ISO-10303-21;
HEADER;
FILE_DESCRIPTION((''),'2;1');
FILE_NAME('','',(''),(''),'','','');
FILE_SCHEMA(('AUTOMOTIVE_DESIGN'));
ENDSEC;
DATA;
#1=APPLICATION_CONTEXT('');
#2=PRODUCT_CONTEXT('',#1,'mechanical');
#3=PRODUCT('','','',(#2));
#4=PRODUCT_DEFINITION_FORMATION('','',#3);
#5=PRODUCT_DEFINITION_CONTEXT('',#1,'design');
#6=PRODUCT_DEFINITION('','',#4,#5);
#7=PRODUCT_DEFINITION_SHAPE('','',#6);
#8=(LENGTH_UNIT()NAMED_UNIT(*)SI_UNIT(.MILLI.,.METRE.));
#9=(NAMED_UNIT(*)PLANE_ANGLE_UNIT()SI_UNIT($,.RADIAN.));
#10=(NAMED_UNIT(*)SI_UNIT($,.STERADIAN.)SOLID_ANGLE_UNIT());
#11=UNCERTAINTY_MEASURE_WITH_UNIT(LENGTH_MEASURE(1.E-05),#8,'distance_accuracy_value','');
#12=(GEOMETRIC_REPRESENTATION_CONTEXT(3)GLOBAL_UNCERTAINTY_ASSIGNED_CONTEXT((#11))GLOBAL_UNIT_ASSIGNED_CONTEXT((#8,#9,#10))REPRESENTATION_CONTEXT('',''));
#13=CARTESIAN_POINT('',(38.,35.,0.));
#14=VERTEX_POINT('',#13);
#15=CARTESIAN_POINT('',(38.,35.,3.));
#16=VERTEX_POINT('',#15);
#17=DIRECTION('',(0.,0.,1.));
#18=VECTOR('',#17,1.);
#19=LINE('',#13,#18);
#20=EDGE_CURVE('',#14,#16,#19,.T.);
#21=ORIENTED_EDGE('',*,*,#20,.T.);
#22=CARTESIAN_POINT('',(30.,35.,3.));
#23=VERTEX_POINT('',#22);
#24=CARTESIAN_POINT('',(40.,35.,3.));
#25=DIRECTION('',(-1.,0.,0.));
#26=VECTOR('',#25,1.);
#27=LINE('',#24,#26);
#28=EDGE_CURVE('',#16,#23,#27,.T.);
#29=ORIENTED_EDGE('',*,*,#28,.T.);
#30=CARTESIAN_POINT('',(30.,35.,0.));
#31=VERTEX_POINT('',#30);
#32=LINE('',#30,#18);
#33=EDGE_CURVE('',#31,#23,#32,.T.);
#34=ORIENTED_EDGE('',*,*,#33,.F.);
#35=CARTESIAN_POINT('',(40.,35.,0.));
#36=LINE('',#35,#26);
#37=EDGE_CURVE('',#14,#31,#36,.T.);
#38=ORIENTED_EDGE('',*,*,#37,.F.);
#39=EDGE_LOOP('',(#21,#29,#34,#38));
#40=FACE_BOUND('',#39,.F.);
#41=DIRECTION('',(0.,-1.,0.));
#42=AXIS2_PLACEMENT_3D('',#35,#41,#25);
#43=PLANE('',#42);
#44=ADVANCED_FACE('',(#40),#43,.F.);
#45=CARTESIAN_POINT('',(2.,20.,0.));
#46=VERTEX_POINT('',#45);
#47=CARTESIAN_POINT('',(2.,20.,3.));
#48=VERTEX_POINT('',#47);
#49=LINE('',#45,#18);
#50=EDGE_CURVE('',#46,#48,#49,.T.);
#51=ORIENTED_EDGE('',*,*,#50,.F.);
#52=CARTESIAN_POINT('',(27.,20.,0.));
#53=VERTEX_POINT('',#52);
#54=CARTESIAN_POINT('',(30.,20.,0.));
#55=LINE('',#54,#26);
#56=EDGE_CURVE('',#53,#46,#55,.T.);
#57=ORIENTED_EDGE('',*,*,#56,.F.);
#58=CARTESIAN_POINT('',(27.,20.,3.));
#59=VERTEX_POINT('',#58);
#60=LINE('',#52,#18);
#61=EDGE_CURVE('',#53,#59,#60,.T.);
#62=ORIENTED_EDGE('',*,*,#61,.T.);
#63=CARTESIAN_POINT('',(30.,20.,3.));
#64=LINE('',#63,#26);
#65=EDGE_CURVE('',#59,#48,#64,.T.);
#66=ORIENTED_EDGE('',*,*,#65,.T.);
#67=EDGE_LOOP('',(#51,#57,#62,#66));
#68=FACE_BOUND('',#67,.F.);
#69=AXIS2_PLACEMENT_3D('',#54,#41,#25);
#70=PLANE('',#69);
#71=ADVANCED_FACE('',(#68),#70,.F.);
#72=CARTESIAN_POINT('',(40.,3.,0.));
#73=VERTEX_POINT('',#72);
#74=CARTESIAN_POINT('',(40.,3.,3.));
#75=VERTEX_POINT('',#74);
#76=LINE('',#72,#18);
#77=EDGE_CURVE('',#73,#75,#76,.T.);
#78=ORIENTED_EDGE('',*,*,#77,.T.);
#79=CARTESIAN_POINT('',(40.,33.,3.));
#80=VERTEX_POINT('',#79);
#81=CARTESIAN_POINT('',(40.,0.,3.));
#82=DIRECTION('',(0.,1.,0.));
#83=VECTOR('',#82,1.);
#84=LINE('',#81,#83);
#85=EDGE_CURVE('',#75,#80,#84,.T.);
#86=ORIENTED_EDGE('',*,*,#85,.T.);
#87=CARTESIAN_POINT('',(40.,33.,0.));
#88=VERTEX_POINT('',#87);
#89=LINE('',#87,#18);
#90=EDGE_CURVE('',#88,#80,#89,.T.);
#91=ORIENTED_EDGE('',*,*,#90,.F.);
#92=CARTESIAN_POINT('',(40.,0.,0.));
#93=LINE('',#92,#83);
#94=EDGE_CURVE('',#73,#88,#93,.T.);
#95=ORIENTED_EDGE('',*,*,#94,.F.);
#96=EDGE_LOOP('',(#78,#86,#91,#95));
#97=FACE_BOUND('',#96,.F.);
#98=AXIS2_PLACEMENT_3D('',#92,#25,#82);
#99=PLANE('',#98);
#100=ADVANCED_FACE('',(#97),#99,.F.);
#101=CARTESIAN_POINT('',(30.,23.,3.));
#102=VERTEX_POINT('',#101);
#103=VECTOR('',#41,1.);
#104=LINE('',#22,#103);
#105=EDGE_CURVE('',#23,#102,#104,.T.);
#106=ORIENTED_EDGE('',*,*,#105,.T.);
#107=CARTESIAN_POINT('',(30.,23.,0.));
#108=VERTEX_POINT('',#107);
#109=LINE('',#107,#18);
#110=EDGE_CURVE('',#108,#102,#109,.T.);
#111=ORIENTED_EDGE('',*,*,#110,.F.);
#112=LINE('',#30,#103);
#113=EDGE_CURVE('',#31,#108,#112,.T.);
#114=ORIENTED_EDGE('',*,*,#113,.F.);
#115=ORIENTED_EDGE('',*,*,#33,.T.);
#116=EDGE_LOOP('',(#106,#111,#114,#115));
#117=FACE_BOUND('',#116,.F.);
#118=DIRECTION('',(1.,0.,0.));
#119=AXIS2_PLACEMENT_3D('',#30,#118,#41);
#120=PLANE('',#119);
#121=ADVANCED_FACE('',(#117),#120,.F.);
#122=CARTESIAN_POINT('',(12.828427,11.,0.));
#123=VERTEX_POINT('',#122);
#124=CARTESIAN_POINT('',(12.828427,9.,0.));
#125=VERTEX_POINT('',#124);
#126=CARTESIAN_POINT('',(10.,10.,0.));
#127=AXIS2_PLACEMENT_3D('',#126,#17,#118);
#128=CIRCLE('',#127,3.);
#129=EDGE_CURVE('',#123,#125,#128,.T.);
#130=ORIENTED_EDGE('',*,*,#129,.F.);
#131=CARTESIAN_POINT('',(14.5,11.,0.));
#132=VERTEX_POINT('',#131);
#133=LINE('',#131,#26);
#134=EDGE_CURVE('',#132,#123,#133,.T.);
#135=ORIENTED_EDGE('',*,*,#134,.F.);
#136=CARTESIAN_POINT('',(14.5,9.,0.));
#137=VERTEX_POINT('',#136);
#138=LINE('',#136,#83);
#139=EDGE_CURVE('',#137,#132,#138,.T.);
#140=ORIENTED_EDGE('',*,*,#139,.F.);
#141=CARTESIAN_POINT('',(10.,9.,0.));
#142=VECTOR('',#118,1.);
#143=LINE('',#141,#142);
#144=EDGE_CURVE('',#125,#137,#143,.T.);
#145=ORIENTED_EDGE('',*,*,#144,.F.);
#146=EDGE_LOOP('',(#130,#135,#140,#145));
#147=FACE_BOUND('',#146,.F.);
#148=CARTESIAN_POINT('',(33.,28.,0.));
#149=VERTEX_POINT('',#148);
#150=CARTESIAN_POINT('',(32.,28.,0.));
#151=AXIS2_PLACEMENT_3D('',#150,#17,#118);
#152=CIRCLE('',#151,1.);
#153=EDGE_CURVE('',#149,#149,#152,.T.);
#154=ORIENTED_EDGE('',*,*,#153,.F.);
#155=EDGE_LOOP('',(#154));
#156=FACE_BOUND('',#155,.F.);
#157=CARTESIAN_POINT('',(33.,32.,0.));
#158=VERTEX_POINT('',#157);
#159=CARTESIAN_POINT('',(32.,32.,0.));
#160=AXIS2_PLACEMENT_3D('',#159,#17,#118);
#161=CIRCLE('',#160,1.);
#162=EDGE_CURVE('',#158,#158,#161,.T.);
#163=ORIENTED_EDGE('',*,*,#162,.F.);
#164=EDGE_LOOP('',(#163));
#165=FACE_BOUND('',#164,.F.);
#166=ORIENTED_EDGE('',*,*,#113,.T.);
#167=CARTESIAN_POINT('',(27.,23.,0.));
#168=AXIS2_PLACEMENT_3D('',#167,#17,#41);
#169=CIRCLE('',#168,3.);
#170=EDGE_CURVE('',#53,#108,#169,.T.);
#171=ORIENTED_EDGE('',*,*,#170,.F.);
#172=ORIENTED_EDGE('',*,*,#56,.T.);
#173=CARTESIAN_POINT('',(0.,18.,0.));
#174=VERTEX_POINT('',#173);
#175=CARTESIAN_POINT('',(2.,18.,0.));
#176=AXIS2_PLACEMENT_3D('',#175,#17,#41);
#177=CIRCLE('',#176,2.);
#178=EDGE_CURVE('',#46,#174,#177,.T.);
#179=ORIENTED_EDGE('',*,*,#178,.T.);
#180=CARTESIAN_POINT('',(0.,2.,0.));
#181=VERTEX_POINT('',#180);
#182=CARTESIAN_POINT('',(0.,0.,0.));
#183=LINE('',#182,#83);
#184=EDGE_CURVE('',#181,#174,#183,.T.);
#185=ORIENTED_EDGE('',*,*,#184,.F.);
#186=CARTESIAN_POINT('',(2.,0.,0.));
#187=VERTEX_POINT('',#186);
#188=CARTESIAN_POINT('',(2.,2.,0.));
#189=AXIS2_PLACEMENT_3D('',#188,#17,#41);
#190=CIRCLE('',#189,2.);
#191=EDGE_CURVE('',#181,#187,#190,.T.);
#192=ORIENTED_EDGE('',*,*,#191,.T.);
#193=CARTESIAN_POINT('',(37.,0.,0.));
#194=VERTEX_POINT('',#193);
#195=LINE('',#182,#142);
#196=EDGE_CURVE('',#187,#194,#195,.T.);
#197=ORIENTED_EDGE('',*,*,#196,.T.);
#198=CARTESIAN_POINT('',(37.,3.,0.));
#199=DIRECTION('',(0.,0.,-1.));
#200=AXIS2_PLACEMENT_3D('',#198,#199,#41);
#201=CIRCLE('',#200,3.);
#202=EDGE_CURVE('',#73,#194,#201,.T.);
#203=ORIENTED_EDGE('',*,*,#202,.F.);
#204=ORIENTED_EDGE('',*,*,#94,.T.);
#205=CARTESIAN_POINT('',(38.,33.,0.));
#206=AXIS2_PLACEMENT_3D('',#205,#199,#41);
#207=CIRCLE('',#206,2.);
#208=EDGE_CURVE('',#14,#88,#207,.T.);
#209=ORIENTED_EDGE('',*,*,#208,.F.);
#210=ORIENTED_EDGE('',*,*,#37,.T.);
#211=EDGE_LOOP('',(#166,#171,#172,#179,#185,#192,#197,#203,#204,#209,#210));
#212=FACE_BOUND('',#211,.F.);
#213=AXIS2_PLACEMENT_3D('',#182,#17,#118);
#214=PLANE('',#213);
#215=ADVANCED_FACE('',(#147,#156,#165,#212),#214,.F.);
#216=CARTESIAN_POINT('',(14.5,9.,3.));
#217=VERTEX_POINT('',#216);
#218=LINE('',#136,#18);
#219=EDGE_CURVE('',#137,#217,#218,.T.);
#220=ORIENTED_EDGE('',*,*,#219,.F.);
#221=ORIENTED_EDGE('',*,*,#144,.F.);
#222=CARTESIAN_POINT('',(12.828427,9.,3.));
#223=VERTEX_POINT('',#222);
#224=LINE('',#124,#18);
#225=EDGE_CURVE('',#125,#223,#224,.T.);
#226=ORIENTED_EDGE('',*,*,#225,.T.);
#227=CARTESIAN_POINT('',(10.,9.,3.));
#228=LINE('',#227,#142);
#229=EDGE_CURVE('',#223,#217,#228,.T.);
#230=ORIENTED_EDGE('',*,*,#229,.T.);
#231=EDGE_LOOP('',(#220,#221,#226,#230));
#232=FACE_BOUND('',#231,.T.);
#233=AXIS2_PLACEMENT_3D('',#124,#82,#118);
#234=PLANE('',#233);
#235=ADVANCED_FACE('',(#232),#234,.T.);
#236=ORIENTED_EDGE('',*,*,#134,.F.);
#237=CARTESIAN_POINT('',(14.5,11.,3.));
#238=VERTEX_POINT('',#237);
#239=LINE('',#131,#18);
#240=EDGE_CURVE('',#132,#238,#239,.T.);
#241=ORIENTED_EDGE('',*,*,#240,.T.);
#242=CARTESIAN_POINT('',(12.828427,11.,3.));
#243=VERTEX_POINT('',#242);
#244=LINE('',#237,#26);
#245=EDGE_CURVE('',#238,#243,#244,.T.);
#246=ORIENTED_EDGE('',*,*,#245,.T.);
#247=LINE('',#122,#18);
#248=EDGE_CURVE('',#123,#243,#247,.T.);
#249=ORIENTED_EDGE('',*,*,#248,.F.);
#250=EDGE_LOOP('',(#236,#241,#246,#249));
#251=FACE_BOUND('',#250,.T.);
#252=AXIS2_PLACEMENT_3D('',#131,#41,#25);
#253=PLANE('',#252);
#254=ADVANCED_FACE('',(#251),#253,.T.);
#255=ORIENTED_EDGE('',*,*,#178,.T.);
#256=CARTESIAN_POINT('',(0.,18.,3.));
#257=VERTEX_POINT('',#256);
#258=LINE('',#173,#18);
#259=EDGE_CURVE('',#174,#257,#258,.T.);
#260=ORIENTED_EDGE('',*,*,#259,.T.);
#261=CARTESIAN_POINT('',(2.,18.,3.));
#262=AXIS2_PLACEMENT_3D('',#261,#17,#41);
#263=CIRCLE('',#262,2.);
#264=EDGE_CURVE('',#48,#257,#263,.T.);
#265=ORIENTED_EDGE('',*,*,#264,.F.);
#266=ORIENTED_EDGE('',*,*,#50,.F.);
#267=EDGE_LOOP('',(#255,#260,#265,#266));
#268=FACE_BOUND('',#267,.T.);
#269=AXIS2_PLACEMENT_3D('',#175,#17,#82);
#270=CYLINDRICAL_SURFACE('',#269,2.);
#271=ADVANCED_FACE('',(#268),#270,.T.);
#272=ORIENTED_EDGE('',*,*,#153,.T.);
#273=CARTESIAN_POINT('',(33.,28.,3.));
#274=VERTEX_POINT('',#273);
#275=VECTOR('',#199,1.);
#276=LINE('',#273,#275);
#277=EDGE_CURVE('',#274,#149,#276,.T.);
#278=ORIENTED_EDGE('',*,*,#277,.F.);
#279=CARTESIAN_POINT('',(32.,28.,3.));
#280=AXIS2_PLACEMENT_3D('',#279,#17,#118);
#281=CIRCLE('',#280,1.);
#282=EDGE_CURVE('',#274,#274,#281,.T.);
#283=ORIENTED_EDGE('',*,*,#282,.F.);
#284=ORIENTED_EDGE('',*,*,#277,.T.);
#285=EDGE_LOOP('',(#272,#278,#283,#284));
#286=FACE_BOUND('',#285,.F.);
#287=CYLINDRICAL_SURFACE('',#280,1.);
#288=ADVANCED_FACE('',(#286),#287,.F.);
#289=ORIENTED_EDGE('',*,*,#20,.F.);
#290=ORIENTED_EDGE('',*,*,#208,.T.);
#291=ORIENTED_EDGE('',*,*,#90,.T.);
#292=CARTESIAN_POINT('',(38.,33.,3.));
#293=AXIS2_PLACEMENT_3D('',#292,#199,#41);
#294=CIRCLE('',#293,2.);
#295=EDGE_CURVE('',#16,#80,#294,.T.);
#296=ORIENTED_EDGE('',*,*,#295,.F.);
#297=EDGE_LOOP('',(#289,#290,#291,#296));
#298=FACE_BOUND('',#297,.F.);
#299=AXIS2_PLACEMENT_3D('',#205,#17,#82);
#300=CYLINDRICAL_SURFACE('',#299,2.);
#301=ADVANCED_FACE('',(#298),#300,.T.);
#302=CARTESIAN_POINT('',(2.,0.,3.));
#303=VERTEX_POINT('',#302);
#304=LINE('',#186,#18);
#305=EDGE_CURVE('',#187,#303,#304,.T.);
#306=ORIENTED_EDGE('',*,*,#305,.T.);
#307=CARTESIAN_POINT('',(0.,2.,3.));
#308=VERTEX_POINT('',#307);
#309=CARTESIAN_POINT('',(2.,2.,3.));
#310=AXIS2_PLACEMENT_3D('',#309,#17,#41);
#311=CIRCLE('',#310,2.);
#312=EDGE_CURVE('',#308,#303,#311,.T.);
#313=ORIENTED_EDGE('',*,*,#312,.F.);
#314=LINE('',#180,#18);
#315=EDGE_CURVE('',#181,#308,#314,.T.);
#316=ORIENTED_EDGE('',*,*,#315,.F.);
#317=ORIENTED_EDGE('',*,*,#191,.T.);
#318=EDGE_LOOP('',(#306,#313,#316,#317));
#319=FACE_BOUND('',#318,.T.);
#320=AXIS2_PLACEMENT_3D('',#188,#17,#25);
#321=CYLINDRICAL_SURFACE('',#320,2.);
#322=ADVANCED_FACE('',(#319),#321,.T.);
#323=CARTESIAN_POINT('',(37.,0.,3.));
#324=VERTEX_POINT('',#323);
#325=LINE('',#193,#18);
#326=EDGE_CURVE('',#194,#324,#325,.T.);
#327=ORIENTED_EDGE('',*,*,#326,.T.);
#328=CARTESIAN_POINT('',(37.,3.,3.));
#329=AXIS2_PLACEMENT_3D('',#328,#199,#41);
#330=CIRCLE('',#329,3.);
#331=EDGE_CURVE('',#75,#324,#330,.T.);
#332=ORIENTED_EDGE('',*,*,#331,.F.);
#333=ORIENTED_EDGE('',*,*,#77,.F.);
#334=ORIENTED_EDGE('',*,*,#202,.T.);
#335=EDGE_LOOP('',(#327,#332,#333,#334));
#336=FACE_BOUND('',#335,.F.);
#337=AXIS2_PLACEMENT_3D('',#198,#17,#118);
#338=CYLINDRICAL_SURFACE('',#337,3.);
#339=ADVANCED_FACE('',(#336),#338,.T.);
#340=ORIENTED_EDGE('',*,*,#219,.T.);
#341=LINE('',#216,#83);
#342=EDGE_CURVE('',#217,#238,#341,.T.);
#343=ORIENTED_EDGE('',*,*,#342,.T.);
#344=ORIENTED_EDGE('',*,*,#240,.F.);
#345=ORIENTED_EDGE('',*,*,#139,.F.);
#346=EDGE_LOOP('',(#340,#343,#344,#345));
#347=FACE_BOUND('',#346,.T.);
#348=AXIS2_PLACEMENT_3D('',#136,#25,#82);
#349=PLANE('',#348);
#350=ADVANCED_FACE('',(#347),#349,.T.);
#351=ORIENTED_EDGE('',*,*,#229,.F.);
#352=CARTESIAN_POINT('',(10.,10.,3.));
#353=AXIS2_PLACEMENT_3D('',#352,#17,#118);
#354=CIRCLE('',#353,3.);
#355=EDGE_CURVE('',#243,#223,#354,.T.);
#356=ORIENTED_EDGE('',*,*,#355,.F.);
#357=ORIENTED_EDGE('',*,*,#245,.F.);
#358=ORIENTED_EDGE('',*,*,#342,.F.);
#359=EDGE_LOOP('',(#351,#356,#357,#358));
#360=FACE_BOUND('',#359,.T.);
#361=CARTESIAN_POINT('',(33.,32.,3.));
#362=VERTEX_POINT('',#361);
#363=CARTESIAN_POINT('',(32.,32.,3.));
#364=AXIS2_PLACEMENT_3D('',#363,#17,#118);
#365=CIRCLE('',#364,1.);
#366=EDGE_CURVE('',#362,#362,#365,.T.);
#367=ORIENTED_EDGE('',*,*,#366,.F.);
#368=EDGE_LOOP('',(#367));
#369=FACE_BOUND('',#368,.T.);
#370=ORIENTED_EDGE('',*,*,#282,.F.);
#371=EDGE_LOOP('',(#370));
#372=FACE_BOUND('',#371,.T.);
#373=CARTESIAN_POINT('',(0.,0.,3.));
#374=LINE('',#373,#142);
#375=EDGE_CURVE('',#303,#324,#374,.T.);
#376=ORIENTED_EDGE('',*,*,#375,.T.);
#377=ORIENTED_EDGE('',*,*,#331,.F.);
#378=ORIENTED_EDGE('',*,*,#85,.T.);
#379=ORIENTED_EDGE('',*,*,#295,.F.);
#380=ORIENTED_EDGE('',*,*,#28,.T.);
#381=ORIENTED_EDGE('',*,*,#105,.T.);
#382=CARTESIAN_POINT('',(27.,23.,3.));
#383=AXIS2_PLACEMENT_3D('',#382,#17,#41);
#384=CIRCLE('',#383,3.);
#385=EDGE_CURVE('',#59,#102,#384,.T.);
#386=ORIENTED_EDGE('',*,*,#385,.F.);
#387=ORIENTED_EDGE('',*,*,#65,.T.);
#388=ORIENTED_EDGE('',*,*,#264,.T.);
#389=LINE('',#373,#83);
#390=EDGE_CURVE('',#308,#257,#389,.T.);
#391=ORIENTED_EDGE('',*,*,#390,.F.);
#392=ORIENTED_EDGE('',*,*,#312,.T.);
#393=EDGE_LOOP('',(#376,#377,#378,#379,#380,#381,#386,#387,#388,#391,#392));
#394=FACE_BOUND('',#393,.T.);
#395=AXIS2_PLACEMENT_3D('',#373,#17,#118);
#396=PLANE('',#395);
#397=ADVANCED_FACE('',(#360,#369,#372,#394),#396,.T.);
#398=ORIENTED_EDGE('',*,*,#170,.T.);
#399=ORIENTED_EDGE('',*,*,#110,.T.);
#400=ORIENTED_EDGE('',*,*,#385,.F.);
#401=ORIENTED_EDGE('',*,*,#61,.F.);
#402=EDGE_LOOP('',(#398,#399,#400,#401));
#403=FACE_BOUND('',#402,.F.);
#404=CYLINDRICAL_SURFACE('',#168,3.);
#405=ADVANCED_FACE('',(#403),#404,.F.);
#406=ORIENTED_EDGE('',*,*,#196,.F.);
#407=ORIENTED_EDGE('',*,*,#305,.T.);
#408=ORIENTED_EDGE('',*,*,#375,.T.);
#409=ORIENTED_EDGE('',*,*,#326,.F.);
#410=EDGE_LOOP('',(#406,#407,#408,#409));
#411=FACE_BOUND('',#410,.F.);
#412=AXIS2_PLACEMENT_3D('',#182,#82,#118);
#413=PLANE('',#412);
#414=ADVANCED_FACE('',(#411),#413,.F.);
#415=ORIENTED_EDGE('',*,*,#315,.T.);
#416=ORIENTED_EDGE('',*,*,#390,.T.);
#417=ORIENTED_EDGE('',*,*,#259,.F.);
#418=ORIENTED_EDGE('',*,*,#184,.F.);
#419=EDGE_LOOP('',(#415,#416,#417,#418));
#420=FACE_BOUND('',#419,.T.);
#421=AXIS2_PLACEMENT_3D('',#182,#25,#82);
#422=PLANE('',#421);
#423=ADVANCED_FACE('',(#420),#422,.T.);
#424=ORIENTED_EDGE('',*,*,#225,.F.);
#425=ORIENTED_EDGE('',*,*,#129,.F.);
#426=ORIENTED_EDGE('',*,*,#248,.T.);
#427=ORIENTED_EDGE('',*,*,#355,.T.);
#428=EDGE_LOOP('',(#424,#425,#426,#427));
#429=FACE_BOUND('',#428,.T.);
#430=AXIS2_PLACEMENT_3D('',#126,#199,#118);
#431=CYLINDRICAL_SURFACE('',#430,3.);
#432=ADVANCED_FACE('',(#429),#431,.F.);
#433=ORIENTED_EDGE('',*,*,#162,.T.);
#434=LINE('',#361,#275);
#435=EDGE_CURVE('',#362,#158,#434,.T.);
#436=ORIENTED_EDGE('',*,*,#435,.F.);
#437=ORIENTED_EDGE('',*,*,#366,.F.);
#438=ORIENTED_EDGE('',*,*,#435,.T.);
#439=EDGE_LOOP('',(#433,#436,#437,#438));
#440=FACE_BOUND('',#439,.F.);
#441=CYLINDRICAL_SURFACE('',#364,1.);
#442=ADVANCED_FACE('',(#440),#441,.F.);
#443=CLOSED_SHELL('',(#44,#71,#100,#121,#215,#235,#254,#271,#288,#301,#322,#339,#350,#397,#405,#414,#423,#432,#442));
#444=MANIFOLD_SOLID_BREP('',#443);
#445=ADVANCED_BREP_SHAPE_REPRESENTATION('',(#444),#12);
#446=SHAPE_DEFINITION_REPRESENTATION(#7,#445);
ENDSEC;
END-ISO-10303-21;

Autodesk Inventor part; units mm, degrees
ref_plane "YZ Plane" through (0, 0, 0) normal (1, 0, 0) x (0, 1, 0)
ref_plane "XZ Plane" through (0, 0, 0) normal (0, 1, 0) x (-1, 0, 0)
ref_plane "XY Plane" through (0, 0, 0) normal (0, 0, 1) x (1, 0, 0)
sketch "スケッチ1" plane through (0, 0, 0) normal (0, 0, 1) x (1, 0, 0)
  line L0 (0, 0) -> (0, 20)
  line L1 (0, 0) -> (40, 0)
  line L2 (40, 0) -> (40, 35)
  line L3 (40, 35) -> (30, 35)
  line L4 (30, 35) -> (30, 20)
  line L5 (30, 20) -> (0, 20)
  circle A0 centre (10, 10) radius 3
  line L6 (10, 10) -> (10, 9)
  line L7 (10, 10) -> (10, 11)
  line L8 (10, 9) -> (14.5, 9)
  line L9 (14.5, 9) -> (14.5, 11)
  line L10 (14.5, 11) -> (10, 11)
  point P0 (12.8284, 9)
  point P1 (12.8284, 11)
  dimension "d0" = 20
  dimension "d1" = 40
  dimension "d2" = 35
  dimension "d3" = 10
  dimension "d4" = 6
  dimension "d6" = 1
  dimension "d7" = 1
  dimension "d8" = 4.5
extrude "押し出し1" add sketch "スケッチ1" along normal blind 3
fillet "フィレット1" radius 3 2 edges at (30, 20, 1.5) (40, 0, 1.5)
fillet "フィレット2" radius 2 2 edges at (0, 20, 1.5) (0, 0, 1.5)
fillet "フィレット3" radius 2 1 edges at (40, 35, 1.5)
sketch "スケッチ3" plane through (0, 0, 3) normal (0, 0, 1) x (1, 0, 0)
  circle A0 centre (32, 28) radius 1
  circle A1 centre (32, 32) radius 1
  point P0 (0, 0)
  dimension "d23" = 2
  dimension "d24" = 2
extrude "押し出し3" cut sketch "スケッチ3" against normal blind 10
thread "ねじ3" size "M2x0.4" class "6H" standard "ANSI Metric M Profile" full length
thread "ねじ4" size "M2x0.4" class "6H" standard "ANSI Metric M Profile" full length
properties part number "cutter_holder" material "アルミニウム 7075"
